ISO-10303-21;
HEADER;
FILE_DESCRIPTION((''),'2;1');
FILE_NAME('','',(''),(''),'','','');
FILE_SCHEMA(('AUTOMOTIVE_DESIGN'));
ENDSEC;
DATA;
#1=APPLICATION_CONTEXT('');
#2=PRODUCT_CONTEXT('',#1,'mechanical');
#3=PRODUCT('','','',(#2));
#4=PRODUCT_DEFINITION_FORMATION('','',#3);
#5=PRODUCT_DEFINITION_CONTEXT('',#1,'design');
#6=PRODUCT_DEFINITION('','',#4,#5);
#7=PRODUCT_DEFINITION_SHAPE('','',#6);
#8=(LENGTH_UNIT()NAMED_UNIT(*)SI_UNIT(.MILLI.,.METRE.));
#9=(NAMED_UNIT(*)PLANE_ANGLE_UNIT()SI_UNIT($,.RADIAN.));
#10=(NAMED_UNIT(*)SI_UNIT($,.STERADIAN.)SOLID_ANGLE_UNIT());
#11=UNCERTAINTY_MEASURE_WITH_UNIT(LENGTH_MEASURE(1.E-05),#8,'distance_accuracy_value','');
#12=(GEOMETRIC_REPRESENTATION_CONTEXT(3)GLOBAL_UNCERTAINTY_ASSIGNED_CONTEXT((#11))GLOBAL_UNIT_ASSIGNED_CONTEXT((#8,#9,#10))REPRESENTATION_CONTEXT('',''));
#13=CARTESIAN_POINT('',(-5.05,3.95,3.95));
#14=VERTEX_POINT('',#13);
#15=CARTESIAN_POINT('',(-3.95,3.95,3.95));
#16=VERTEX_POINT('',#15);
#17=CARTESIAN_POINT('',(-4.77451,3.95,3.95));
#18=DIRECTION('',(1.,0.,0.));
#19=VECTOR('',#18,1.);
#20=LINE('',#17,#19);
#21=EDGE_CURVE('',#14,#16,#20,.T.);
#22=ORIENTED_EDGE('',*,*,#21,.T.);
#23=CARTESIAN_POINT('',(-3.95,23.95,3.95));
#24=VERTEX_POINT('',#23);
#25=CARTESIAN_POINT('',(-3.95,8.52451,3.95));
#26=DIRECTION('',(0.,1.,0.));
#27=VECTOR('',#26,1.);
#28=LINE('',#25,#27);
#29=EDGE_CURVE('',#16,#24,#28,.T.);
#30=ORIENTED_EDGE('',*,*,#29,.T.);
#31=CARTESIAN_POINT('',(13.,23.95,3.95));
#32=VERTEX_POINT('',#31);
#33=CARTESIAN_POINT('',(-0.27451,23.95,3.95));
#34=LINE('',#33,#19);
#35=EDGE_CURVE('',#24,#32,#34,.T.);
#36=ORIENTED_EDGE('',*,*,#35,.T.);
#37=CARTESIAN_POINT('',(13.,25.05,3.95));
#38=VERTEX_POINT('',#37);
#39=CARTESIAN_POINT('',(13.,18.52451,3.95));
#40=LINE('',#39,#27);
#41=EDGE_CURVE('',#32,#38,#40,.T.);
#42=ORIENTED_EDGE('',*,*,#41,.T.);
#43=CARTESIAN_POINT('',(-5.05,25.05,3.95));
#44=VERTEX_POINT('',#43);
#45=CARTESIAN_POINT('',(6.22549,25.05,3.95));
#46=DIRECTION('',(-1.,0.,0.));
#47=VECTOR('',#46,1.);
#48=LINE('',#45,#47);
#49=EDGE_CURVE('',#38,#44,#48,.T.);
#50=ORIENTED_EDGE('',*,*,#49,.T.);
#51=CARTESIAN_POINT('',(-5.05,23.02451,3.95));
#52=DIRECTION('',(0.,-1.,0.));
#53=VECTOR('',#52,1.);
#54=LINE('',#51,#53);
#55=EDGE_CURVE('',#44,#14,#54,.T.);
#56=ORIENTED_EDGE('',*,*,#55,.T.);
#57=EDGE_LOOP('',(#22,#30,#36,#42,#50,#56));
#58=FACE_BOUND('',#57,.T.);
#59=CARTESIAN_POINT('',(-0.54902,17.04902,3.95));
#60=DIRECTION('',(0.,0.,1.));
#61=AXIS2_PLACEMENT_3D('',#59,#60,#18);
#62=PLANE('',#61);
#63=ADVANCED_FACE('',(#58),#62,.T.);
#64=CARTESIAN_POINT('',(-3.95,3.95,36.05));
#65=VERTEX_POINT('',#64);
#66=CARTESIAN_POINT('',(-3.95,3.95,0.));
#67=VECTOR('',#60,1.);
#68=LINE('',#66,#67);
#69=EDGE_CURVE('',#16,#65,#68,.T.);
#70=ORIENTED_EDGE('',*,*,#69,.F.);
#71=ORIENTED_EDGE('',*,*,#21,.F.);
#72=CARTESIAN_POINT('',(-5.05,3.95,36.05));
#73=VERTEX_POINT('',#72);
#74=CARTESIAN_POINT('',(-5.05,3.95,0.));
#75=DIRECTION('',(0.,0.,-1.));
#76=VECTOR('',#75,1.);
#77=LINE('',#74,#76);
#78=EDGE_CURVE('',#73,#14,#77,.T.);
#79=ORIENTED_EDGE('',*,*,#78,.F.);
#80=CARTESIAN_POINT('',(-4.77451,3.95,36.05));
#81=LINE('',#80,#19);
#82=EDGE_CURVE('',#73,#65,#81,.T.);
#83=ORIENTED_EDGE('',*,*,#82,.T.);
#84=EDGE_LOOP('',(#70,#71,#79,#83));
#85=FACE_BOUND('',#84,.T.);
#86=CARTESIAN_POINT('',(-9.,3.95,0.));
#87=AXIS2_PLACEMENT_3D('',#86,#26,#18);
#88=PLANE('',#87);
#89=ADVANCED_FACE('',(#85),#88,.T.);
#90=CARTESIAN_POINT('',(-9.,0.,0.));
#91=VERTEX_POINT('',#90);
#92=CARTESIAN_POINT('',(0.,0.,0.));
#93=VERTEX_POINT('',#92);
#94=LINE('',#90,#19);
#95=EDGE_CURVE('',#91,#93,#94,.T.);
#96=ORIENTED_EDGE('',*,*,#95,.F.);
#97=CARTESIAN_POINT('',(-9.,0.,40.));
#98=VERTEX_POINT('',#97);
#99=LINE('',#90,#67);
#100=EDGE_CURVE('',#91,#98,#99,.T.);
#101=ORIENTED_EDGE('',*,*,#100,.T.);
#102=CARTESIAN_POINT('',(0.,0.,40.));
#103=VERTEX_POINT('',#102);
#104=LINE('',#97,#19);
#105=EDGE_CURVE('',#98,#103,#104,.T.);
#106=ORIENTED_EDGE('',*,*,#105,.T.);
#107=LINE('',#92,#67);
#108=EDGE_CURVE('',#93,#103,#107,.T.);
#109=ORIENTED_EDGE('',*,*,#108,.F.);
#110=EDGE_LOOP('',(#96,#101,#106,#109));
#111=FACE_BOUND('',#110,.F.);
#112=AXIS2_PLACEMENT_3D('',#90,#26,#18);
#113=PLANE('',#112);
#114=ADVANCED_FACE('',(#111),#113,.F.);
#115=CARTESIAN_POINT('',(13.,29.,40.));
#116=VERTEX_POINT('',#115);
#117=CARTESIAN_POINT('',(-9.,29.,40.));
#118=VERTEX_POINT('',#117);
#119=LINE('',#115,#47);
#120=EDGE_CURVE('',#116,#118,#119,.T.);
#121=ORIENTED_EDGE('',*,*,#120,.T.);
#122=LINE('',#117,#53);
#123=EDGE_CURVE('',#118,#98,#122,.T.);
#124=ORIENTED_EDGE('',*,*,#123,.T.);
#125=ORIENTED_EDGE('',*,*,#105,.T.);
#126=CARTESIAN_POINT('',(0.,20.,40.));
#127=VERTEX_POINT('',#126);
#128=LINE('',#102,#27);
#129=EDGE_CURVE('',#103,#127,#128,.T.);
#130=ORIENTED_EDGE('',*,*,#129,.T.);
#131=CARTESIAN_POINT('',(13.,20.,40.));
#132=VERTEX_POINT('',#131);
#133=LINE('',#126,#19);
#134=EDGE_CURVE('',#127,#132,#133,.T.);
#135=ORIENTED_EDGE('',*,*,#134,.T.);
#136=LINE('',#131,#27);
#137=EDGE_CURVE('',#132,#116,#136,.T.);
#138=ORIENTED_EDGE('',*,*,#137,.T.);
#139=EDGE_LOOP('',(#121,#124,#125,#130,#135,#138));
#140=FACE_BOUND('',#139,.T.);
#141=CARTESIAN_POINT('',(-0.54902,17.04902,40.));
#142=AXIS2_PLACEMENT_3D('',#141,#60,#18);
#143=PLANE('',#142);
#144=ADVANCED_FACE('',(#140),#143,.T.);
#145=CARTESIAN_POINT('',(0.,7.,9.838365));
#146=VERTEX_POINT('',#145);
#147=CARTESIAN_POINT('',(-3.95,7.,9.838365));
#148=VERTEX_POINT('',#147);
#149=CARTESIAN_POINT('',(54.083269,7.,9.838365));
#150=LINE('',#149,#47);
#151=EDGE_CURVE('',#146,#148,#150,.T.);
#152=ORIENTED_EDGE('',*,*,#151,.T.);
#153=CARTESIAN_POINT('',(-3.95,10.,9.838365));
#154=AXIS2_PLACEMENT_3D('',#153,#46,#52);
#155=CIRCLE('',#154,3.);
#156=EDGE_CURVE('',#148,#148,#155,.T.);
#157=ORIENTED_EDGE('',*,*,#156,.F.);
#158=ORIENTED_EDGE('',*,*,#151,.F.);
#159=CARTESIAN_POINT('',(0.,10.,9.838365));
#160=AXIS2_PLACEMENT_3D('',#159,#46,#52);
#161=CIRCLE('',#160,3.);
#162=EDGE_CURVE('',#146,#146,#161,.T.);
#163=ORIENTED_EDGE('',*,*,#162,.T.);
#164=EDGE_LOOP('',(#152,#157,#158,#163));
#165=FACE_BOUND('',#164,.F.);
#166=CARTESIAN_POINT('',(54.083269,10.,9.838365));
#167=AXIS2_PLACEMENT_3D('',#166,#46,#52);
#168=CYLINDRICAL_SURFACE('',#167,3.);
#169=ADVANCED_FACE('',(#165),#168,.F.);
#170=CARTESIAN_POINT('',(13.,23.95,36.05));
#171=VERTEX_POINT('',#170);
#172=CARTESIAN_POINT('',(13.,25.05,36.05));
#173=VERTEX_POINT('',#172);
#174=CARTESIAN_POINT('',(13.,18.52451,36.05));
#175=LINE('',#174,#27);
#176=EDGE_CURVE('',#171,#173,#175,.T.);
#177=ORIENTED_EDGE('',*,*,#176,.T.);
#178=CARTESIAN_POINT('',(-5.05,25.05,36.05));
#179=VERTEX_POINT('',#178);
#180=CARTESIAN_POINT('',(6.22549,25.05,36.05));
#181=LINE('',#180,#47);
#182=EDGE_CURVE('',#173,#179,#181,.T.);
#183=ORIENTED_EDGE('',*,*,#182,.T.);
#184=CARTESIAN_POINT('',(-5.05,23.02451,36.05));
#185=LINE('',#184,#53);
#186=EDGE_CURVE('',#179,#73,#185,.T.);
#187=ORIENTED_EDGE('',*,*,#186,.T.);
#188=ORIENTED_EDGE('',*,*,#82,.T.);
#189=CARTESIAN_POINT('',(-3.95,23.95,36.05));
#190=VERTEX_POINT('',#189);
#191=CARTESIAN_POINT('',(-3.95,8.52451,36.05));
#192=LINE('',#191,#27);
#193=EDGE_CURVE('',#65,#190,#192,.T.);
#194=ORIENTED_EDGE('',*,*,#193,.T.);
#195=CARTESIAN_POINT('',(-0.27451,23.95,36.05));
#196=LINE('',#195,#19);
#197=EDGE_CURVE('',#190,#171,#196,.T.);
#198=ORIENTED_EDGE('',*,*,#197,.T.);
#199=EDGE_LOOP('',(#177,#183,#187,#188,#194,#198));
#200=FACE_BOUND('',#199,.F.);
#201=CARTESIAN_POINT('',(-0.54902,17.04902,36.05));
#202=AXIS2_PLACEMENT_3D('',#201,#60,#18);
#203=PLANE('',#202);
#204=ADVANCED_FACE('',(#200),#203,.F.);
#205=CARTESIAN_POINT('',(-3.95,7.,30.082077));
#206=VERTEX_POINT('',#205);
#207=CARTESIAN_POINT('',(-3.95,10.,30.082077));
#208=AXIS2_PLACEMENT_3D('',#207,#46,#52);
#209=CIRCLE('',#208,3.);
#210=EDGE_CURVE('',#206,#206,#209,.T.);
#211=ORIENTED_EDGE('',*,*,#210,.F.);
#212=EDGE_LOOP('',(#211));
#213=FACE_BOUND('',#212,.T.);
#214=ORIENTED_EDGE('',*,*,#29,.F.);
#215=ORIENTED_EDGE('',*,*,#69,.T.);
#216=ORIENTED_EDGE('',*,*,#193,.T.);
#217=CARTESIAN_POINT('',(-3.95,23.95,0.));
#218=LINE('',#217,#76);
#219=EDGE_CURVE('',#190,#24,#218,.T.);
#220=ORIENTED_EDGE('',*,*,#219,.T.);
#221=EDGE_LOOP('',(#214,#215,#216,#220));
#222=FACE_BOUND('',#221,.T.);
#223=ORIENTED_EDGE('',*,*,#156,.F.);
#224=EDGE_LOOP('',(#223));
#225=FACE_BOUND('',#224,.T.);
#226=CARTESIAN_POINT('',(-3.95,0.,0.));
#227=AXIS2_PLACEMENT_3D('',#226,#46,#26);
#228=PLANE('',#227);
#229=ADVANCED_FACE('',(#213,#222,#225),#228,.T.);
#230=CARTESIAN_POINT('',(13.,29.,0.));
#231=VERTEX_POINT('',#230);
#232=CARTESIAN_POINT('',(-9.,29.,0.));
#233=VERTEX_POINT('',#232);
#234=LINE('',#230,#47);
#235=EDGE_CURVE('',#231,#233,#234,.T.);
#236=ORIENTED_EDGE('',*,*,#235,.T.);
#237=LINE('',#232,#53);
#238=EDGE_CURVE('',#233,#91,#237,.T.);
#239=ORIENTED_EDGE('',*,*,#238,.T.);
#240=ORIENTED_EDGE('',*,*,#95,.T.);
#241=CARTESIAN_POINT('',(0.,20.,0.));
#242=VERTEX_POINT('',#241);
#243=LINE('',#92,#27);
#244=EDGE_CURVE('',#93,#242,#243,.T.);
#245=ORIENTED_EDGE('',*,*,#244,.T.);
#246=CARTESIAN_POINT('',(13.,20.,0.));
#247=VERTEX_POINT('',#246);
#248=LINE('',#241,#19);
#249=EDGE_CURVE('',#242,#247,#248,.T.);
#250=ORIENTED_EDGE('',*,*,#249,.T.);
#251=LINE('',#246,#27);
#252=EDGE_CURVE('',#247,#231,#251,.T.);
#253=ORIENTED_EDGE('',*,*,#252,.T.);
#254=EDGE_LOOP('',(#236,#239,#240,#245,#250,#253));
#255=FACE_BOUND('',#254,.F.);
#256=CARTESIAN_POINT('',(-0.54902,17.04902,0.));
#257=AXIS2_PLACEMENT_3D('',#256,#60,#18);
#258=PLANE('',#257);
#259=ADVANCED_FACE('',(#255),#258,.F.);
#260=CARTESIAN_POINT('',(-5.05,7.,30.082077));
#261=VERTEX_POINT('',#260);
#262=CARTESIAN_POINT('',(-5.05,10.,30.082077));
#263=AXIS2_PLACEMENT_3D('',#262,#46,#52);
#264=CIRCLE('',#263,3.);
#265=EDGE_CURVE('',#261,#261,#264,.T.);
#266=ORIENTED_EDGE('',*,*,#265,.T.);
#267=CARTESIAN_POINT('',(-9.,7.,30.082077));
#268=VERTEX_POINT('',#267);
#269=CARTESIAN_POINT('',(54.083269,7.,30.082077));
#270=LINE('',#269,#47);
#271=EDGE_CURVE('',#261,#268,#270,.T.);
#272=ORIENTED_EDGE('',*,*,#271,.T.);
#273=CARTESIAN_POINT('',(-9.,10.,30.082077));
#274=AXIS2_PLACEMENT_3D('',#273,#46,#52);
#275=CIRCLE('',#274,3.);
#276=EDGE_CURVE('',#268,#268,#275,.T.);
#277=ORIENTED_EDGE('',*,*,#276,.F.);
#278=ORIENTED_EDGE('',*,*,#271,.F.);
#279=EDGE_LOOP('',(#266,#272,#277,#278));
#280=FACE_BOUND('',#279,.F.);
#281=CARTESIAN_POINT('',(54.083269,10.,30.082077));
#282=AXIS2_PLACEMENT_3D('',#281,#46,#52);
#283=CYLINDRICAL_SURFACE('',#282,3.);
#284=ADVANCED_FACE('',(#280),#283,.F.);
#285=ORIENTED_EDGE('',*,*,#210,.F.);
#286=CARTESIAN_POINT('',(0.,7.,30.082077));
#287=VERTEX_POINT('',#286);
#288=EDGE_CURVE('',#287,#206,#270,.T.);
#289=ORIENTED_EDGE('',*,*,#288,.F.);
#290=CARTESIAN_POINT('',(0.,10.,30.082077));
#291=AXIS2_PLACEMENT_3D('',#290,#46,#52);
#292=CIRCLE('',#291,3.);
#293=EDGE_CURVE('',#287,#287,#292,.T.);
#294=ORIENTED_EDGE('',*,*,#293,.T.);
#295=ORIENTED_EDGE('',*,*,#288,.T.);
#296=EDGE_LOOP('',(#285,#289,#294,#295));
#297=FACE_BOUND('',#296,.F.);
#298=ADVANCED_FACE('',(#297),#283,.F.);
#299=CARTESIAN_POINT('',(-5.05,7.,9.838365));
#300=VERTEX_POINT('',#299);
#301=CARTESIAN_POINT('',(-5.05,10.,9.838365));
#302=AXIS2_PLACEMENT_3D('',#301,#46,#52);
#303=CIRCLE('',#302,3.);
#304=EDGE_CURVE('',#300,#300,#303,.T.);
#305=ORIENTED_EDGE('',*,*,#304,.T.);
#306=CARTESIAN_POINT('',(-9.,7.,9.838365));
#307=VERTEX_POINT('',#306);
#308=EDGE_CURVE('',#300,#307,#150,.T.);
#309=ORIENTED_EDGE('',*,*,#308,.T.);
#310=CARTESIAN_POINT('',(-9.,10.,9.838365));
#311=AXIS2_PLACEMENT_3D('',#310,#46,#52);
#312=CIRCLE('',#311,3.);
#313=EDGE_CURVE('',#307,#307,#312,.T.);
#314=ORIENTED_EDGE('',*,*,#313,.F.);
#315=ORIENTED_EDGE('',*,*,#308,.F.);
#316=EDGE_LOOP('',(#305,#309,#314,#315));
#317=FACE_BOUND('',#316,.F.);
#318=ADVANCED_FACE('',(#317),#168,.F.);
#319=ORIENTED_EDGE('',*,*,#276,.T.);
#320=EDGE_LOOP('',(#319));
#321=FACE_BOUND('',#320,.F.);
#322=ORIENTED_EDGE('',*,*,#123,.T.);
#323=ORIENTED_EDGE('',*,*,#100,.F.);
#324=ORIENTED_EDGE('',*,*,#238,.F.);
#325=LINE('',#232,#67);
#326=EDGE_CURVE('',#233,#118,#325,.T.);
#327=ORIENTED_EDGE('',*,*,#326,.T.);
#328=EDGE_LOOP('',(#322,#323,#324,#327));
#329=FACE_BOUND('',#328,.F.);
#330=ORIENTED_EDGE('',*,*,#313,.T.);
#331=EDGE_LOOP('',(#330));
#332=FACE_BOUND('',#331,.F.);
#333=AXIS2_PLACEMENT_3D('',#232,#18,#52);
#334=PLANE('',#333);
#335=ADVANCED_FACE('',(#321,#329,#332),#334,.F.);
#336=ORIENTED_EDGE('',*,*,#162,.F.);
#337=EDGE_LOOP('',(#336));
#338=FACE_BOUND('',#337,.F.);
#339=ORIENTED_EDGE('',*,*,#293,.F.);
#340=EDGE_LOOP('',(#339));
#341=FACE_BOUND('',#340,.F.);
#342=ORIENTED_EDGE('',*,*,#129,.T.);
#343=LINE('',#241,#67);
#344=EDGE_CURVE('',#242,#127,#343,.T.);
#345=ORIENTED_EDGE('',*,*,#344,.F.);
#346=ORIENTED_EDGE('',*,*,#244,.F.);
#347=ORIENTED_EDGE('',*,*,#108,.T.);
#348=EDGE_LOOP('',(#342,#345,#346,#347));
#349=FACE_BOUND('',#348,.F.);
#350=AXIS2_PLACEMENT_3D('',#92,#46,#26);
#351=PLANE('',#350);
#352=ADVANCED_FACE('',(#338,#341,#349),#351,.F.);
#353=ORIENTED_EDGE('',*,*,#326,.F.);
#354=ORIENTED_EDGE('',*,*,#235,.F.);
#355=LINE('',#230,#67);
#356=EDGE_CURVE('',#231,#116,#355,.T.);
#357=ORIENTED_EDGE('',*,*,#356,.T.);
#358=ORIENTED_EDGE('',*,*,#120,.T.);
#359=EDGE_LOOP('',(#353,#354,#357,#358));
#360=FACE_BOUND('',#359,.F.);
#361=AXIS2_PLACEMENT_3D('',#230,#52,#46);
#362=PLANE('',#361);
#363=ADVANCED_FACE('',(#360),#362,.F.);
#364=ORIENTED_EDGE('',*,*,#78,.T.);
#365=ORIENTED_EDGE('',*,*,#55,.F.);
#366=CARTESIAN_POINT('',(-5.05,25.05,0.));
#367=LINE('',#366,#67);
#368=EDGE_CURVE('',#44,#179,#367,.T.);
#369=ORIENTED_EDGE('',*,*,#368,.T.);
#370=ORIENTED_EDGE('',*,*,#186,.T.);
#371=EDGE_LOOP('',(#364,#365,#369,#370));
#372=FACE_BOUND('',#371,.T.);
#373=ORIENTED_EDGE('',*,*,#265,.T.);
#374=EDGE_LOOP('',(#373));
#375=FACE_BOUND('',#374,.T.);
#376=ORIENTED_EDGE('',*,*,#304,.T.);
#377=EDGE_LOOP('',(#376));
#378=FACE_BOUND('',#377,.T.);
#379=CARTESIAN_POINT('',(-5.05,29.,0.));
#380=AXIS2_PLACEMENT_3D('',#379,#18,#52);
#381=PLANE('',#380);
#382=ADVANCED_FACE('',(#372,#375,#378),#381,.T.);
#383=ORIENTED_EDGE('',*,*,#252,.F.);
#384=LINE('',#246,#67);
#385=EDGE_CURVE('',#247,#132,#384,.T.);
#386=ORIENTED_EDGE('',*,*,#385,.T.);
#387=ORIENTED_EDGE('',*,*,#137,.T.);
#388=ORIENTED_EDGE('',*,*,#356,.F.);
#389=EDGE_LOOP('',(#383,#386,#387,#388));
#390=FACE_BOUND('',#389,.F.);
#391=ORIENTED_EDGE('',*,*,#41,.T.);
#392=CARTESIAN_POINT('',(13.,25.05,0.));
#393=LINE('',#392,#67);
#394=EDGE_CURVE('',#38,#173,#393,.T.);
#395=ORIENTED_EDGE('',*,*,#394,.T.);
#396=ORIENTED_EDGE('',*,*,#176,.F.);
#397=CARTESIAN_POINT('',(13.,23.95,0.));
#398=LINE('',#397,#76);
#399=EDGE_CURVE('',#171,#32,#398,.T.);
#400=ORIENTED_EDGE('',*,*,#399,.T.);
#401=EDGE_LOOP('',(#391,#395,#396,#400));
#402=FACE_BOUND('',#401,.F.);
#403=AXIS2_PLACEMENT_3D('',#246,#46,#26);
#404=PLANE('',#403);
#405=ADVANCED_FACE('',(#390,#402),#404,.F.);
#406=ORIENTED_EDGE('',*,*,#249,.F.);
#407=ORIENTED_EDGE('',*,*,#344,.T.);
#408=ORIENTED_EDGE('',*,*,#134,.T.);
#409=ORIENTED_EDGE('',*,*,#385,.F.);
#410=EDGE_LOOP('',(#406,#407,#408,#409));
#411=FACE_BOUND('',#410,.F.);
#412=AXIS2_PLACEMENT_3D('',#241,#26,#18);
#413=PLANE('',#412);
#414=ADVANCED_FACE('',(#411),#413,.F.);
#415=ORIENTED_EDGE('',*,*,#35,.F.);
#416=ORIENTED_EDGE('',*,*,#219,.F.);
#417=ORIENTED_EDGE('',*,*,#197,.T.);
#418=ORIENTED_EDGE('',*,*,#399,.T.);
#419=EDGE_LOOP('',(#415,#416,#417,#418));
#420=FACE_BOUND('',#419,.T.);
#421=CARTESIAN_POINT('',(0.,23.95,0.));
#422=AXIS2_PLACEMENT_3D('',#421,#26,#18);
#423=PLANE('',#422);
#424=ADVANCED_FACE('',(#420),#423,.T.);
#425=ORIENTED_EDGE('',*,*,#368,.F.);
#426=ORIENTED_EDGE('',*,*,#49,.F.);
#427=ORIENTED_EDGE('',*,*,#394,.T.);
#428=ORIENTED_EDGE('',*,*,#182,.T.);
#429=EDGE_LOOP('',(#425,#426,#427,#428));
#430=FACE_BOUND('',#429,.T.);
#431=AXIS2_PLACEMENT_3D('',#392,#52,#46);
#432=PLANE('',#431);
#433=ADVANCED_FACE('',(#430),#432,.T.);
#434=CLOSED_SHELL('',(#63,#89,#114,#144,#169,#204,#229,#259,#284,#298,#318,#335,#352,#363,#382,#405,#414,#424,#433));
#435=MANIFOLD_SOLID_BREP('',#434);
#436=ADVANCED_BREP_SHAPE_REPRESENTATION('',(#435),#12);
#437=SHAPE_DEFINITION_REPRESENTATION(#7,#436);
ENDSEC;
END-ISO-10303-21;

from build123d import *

# Parameters (mm, degrees)
F1_DEPTH = 40
F3_T     = -3.95
F4_D     = 6


with BuildPart() as f1:
    # F0 (on Top) → F1 (new body)
    with BuildSketch(Plane.XY):
        Polygon((-9, 0), (0, 0), (0, 20), (13, 20), (13, 29), (-9, 29), (-9, 20), align=None)
    extrude(amount=F1_DEPTH)

    # F3
    f3_openings = [f1.faces().sort_by_distance(p)[0] for p in [
        (13, 24.5, 20),
    ]]
    offset(amount=F3_T, openings=f3_openings, kind=Kind.INTERSECTION)

    # F4 (through all)
    with Locations(Plane.YZ):
        with Locations((10, 30.0820767879), (10, 9.8383650184)):
            Hole(F4_D / 2)


solid = f1.part
